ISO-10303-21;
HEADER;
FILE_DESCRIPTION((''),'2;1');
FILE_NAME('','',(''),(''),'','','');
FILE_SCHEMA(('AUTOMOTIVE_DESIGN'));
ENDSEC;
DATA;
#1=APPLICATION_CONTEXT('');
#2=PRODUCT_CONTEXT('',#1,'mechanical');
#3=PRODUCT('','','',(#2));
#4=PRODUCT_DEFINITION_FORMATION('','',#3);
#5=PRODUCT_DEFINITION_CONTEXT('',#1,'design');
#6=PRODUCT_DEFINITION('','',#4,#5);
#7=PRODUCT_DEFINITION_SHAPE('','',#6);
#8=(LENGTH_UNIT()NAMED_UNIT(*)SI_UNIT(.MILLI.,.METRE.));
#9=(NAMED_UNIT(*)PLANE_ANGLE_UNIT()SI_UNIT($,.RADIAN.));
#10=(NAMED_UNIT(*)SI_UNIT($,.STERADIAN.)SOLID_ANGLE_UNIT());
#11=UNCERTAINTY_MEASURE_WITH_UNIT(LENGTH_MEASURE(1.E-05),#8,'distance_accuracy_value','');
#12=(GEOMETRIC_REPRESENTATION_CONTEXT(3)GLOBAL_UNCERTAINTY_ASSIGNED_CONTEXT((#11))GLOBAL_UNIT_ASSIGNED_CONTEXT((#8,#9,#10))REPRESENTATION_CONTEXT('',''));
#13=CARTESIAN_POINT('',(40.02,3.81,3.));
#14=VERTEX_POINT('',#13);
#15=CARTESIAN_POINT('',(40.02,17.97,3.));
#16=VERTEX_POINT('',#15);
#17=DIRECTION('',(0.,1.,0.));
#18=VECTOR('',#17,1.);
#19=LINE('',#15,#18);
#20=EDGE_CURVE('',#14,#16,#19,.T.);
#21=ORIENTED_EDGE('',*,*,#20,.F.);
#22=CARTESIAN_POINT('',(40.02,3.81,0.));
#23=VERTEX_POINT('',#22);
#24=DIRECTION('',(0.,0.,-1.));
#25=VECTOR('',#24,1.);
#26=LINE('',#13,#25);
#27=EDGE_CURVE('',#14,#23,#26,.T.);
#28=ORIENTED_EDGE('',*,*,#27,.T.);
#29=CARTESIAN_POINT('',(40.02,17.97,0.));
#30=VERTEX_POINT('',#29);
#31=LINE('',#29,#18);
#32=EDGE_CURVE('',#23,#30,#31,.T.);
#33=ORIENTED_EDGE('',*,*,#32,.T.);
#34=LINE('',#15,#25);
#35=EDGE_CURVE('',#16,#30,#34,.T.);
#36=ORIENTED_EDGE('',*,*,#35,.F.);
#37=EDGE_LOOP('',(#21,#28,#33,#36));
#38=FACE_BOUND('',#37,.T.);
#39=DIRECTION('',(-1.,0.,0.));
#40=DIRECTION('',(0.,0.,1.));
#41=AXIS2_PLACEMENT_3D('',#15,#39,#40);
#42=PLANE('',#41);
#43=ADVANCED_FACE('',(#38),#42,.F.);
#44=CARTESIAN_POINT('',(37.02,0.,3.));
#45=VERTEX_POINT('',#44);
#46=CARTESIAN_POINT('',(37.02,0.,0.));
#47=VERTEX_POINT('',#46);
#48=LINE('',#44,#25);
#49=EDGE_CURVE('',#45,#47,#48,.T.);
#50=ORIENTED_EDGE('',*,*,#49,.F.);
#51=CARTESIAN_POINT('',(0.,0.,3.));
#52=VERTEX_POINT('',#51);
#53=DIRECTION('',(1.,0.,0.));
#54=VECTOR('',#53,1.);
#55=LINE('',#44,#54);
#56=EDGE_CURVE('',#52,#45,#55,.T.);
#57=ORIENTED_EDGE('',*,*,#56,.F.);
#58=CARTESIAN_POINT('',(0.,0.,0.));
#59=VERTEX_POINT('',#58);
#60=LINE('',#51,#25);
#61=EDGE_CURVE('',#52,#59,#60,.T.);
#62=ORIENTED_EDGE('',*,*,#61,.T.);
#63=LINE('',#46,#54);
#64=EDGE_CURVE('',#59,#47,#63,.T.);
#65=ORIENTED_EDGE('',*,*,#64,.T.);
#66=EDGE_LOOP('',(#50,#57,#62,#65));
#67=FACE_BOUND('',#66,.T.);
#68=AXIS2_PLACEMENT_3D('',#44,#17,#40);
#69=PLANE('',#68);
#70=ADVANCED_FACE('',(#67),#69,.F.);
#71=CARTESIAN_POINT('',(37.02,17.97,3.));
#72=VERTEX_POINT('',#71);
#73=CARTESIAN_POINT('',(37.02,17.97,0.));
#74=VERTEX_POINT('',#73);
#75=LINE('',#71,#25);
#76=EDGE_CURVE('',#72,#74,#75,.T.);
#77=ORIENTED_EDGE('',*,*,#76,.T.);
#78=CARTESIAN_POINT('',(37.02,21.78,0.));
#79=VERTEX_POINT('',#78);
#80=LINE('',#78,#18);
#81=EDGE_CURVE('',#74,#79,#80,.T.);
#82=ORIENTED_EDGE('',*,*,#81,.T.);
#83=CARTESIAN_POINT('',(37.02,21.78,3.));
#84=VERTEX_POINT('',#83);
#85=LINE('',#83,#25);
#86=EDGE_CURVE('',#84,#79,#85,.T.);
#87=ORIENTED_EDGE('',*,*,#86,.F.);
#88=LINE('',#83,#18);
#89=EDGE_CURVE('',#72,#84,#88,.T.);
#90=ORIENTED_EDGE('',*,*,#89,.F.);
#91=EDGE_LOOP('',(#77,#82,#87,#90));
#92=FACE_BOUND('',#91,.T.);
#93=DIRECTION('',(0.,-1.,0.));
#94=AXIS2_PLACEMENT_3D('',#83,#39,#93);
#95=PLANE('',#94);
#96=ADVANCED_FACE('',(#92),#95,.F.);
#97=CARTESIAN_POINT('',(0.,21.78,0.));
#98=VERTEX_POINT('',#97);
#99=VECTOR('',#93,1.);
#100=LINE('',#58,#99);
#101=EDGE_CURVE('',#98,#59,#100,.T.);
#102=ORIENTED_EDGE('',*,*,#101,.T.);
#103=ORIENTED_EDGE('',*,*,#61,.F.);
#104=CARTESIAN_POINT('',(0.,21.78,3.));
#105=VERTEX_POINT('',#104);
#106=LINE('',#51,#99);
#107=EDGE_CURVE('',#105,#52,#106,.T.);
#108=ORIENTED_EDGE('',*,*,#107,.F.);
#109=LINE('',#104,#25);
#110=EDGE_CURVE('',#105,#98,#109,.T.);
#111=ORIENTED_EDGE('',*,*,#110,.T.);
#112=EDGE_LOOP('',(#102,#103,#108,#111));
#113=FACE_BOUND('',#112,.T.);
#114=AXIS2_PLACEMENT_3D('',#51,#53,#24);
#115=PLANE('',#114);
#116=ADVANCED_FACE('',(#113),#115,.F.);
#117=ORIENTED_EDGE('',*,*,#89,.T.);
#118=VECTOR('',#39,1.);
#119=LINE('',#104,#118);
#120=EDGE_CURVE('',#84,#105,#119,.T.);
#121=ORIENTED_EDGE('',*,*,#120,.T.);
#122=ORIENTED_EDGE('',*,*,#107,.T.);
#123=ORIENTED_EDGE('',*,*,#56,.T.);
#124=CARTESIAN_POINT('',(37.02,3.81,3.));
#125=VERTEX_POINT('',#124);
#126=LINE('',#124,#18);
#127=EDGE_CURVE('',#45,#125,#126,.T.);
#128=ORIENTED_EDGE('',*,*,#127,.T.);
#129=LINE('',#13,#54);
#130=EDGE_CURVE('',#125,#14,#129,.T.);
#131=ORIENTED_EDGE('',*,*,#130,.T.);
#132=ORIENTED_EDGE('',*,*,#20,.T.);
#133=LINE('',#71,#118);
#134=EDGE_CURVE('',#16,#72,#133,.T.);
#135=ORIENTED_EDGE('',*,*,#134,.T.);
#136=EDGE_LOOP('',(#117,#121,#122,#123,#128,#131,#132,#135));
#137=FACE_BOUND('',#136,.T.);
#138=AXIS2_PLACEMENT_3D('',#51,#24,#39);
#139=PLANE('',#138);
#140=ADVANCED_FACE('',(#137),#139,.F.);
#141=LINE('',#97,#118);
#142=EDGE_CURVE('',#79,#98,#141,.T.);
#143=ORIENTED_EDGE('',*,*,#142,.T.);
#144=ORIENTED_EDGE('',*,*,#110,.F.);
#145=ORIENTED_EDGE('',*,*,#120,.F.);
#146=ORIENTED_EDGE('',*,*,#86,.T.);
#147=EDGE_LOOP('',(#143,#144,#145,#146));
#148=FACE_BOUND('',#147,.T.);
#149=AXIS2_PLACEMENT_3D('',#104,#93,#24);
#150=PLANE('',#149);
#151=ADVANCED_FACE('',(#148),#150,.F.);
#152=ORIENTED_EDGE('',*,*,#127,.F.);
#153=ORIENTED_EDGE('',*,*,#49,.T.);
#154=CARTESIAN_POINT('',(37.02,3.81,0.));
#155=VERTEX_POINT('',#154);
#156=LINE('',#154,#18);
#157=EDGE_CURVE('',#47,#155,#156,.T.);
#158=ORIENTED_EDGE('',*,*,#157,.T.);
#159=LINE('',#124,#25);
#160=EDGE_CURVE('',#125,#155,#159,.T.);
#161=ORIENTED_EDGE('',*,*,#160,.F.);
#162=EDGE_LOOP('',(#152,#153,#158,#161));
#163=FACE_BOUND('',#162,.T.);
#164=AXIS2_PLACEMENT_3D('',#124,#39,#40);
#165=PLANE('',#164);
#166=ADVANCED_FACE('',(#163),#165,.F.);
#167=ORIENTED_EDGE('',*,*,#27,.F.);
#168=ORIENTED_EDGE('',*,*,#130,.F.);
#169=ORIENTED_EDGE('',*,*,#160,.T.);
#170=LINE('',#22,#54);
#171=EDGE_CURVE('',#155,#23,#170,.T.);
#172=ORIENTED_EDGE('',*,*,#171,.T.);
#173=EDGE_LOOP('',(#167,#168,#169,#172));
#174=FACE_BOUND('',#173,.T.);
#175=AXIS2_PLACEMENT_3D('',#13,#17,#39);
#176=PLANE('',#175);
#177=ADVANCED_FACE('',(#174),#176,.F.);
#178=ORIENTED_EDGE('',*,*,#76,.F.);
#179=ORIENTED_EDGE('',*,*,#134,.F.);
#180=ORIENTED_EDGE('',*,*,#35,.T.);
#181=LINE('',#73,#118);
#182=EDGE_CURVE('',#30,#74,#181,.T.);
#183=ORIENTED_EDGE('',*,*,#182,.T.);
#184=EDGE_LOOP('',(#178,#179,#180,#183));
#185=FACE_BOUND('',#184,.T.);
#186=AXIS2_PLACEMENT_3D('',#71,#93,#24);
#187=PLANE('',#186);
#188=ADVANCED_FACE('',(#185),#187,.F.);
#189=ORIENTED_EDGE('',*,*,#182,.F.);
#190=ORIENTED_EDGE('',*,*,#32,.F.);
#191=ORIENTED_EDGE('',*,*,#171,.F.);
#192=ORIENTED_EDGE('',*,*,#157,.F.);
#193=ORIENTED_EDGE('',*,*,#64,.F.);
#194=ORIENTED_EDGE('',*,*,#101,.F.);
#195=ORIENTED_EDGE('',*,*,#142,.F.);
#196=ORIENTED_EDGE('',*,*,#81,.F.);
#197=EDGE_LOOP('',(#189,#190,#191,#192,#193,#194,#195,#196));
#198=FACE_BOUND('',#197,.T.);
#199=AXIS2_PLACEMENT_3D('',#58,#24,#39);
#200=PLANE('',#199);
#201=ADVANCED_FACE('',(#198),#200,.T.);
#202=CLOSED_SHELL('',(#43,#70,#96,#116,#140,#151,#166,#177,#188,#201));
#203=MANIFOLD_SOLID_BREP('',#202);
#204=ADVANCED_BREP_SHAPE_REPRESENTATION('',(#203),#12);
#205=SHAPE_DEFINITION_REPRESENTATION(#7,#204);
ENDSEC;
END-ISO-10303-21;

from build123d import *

# Parameters (mm, degrees)
BOSS_EXTRUDE1_DEPTH = 3


with BuildPart() as part:
    # Sketch1 → Boss-Extrude1 (new body)
    with BuildSketch(Plane.XY):
        Polygon((0, 21.78), (37.02, 21.78), (37.02, 17.97), (40.02, 17.97), (40.02, 3.81), (37.02, 3.81), (37.02, 0), (0, 0), align=None)
    extrude(amount=BOSS_EXTRUDE1_DEPTH)


solid = part.part
